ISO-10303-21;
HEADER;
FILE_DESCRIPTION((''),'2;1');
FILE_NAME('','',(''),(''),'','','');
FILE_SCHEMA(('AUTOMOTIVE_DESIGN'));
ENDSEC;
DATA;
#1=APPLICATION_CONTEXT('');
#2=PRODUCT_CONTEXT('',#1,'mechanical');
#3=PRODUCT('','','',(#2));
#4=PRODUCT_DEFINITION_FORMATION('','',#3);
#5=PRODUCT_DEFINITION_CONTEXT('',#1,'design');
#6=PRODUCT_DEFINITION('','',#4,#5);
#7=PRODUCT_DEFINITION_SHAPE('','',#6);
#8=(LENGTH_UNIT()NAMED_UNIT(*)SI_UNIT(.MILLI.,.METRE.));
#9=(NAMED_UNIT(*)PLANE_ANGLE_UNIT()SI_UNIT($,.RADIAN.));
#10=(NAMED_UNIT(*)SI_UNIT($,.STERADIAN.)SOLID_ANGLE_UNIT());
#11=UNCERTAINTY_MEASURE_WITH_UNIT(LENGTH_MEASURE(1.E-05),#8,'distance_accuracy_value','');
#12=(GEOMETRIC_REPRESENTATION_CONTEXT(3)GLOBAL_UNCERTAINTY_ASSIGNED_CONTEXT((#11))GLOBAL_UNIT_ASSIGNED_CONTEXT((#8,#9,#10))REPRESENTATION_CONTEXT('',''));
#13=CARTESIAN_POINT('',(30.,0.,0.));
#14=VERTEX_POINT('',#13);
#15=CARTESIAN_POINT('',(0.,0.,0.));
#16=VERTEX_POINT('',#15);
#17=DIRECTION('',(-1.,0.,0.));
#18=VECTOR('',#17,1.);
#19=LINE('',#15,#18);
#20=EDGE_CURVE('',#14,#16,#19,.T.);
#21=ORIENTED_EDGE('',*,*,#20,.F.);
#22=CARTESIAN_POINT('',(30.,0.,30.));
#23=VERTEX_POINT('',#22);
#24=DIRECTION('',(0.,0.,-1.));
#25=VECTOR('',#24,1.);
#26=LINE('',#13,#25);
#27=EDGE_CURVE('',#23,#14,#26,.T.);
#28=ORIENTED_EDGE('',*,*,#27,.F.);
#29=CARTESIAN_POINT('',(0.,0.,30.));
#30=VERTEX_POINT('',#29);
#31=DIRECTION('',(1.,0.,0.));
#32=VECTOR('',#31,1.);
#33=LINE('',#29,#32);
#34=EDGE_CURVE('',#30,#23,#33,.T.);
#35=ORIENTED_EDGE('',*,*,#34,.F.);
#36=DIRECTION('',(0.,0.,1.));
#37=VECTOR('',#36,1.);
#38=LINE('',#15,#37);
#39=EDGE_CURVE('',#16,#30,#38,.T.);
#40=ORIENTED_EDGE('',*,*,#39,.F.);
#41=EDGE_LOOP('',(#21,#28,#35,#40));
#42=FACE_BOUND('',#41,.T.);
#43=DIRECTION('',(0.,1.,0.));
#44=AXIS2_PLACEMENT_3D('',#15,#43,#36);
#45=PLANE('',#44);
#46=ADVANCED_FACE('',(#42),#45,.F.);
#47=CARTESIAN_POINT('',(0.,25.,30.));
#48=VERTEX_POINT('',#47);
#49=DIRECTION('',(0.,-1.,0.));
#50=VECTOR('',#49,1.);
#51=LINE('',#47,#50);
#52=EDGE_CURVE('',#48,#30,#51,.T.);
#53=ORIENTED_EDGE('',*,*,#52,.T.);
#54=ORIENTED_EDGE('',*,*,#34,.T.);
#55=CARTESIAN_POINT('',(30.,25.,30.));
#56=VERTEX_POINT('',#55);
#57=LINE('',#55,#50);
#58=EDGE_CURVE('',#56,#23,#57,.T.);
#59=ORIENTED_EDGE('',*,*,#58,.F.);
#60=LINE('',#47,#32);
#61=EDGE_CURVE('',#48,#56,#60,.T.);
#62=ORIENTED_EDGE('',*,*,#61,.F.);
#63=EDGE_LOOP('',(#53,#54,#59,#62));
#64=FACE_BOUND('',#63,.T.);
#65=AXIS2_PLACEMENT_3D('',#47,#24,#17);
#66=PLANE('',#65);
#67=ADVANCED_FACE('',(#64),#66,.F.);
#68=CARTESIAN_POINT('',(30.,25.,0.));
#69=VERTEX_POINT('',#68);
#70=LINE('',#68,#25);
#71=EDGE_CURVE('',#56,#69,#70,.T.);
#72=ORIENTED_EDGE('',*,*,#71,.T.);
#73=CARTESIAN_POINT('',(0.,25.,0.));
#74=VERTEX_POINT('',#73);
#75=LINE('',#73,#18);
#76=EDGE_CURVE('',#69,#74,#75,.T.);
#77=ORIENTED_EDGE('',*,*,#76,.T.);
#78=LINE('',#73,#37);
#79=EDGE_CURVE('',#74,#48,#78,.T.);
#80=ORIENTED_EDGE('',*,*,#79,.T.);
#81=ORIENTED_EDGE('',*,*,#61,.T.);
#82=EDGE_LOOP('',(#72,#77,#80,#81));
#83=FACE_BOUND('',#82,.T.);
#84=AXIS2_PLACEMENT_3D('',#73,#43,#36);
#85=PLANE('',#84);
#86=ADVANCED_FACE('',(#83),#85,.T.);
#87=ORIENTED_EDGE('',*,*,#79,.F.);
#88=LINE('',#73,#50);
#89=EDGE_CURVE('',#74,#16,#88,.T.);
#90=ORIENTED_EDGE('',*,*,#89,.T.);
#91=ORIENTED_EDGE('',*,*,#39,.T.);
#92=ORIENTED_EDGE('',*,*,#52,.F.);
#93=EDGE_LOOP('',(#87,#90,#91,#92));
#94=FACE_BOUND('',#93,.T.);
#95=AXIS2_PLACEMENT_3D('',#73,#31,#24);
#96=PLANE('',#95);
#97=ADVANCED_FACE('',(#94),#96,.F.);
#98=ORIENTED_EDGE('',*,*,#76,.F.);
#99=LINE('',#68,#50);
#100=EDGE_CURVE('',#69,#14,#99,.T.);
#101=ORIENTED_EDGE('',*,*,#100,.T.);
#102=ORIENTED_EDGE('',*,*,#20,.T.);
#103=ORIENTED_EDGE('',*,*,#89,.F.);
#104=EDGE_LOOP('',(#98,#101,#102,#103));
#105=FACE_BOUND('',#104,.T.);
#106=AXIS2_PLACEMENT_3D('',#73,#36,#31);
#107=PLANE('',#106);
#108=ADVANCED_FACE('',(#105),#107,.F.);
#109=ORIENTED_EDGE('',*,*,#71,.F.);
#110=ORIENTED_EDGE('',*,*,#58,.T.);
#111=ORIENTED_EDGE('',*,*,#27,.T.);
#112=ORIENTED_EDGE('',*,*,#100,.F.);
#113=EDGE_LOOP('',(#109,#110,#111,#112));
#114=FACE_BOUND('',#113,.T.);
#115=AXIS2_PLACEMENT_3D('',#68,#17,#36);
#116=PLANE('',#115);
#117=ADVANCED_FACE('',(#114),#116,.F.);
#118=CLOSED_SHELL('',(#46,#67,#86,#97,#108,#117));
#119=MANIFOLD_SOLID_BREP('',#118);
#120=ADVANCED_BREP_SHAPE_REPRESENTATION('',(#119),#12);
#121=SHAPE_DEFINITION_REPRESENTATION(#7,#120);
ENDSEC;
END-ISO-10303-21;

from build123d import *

# Parameters (mm, degrees)
SKETCH_1_W      = 30
SKETCH_1_H      = 30
EXTRUDE_1_DEPTH = 25


with BuildPart() as part:
    # 草图1 → 凸台-拉伸1 (new body)
    with BuildSketch(Plane(origin=(0, 0, 0), x_dir=(1, 0, 0), z_dir=(0, 1, 0))):
        with Locations((15, -15)):
            Rectangle(SKETCH_1_W, SKETCH_1_H)
    extrude(amount=EXTRUDE_1_DEPTH)


solid = part.part
